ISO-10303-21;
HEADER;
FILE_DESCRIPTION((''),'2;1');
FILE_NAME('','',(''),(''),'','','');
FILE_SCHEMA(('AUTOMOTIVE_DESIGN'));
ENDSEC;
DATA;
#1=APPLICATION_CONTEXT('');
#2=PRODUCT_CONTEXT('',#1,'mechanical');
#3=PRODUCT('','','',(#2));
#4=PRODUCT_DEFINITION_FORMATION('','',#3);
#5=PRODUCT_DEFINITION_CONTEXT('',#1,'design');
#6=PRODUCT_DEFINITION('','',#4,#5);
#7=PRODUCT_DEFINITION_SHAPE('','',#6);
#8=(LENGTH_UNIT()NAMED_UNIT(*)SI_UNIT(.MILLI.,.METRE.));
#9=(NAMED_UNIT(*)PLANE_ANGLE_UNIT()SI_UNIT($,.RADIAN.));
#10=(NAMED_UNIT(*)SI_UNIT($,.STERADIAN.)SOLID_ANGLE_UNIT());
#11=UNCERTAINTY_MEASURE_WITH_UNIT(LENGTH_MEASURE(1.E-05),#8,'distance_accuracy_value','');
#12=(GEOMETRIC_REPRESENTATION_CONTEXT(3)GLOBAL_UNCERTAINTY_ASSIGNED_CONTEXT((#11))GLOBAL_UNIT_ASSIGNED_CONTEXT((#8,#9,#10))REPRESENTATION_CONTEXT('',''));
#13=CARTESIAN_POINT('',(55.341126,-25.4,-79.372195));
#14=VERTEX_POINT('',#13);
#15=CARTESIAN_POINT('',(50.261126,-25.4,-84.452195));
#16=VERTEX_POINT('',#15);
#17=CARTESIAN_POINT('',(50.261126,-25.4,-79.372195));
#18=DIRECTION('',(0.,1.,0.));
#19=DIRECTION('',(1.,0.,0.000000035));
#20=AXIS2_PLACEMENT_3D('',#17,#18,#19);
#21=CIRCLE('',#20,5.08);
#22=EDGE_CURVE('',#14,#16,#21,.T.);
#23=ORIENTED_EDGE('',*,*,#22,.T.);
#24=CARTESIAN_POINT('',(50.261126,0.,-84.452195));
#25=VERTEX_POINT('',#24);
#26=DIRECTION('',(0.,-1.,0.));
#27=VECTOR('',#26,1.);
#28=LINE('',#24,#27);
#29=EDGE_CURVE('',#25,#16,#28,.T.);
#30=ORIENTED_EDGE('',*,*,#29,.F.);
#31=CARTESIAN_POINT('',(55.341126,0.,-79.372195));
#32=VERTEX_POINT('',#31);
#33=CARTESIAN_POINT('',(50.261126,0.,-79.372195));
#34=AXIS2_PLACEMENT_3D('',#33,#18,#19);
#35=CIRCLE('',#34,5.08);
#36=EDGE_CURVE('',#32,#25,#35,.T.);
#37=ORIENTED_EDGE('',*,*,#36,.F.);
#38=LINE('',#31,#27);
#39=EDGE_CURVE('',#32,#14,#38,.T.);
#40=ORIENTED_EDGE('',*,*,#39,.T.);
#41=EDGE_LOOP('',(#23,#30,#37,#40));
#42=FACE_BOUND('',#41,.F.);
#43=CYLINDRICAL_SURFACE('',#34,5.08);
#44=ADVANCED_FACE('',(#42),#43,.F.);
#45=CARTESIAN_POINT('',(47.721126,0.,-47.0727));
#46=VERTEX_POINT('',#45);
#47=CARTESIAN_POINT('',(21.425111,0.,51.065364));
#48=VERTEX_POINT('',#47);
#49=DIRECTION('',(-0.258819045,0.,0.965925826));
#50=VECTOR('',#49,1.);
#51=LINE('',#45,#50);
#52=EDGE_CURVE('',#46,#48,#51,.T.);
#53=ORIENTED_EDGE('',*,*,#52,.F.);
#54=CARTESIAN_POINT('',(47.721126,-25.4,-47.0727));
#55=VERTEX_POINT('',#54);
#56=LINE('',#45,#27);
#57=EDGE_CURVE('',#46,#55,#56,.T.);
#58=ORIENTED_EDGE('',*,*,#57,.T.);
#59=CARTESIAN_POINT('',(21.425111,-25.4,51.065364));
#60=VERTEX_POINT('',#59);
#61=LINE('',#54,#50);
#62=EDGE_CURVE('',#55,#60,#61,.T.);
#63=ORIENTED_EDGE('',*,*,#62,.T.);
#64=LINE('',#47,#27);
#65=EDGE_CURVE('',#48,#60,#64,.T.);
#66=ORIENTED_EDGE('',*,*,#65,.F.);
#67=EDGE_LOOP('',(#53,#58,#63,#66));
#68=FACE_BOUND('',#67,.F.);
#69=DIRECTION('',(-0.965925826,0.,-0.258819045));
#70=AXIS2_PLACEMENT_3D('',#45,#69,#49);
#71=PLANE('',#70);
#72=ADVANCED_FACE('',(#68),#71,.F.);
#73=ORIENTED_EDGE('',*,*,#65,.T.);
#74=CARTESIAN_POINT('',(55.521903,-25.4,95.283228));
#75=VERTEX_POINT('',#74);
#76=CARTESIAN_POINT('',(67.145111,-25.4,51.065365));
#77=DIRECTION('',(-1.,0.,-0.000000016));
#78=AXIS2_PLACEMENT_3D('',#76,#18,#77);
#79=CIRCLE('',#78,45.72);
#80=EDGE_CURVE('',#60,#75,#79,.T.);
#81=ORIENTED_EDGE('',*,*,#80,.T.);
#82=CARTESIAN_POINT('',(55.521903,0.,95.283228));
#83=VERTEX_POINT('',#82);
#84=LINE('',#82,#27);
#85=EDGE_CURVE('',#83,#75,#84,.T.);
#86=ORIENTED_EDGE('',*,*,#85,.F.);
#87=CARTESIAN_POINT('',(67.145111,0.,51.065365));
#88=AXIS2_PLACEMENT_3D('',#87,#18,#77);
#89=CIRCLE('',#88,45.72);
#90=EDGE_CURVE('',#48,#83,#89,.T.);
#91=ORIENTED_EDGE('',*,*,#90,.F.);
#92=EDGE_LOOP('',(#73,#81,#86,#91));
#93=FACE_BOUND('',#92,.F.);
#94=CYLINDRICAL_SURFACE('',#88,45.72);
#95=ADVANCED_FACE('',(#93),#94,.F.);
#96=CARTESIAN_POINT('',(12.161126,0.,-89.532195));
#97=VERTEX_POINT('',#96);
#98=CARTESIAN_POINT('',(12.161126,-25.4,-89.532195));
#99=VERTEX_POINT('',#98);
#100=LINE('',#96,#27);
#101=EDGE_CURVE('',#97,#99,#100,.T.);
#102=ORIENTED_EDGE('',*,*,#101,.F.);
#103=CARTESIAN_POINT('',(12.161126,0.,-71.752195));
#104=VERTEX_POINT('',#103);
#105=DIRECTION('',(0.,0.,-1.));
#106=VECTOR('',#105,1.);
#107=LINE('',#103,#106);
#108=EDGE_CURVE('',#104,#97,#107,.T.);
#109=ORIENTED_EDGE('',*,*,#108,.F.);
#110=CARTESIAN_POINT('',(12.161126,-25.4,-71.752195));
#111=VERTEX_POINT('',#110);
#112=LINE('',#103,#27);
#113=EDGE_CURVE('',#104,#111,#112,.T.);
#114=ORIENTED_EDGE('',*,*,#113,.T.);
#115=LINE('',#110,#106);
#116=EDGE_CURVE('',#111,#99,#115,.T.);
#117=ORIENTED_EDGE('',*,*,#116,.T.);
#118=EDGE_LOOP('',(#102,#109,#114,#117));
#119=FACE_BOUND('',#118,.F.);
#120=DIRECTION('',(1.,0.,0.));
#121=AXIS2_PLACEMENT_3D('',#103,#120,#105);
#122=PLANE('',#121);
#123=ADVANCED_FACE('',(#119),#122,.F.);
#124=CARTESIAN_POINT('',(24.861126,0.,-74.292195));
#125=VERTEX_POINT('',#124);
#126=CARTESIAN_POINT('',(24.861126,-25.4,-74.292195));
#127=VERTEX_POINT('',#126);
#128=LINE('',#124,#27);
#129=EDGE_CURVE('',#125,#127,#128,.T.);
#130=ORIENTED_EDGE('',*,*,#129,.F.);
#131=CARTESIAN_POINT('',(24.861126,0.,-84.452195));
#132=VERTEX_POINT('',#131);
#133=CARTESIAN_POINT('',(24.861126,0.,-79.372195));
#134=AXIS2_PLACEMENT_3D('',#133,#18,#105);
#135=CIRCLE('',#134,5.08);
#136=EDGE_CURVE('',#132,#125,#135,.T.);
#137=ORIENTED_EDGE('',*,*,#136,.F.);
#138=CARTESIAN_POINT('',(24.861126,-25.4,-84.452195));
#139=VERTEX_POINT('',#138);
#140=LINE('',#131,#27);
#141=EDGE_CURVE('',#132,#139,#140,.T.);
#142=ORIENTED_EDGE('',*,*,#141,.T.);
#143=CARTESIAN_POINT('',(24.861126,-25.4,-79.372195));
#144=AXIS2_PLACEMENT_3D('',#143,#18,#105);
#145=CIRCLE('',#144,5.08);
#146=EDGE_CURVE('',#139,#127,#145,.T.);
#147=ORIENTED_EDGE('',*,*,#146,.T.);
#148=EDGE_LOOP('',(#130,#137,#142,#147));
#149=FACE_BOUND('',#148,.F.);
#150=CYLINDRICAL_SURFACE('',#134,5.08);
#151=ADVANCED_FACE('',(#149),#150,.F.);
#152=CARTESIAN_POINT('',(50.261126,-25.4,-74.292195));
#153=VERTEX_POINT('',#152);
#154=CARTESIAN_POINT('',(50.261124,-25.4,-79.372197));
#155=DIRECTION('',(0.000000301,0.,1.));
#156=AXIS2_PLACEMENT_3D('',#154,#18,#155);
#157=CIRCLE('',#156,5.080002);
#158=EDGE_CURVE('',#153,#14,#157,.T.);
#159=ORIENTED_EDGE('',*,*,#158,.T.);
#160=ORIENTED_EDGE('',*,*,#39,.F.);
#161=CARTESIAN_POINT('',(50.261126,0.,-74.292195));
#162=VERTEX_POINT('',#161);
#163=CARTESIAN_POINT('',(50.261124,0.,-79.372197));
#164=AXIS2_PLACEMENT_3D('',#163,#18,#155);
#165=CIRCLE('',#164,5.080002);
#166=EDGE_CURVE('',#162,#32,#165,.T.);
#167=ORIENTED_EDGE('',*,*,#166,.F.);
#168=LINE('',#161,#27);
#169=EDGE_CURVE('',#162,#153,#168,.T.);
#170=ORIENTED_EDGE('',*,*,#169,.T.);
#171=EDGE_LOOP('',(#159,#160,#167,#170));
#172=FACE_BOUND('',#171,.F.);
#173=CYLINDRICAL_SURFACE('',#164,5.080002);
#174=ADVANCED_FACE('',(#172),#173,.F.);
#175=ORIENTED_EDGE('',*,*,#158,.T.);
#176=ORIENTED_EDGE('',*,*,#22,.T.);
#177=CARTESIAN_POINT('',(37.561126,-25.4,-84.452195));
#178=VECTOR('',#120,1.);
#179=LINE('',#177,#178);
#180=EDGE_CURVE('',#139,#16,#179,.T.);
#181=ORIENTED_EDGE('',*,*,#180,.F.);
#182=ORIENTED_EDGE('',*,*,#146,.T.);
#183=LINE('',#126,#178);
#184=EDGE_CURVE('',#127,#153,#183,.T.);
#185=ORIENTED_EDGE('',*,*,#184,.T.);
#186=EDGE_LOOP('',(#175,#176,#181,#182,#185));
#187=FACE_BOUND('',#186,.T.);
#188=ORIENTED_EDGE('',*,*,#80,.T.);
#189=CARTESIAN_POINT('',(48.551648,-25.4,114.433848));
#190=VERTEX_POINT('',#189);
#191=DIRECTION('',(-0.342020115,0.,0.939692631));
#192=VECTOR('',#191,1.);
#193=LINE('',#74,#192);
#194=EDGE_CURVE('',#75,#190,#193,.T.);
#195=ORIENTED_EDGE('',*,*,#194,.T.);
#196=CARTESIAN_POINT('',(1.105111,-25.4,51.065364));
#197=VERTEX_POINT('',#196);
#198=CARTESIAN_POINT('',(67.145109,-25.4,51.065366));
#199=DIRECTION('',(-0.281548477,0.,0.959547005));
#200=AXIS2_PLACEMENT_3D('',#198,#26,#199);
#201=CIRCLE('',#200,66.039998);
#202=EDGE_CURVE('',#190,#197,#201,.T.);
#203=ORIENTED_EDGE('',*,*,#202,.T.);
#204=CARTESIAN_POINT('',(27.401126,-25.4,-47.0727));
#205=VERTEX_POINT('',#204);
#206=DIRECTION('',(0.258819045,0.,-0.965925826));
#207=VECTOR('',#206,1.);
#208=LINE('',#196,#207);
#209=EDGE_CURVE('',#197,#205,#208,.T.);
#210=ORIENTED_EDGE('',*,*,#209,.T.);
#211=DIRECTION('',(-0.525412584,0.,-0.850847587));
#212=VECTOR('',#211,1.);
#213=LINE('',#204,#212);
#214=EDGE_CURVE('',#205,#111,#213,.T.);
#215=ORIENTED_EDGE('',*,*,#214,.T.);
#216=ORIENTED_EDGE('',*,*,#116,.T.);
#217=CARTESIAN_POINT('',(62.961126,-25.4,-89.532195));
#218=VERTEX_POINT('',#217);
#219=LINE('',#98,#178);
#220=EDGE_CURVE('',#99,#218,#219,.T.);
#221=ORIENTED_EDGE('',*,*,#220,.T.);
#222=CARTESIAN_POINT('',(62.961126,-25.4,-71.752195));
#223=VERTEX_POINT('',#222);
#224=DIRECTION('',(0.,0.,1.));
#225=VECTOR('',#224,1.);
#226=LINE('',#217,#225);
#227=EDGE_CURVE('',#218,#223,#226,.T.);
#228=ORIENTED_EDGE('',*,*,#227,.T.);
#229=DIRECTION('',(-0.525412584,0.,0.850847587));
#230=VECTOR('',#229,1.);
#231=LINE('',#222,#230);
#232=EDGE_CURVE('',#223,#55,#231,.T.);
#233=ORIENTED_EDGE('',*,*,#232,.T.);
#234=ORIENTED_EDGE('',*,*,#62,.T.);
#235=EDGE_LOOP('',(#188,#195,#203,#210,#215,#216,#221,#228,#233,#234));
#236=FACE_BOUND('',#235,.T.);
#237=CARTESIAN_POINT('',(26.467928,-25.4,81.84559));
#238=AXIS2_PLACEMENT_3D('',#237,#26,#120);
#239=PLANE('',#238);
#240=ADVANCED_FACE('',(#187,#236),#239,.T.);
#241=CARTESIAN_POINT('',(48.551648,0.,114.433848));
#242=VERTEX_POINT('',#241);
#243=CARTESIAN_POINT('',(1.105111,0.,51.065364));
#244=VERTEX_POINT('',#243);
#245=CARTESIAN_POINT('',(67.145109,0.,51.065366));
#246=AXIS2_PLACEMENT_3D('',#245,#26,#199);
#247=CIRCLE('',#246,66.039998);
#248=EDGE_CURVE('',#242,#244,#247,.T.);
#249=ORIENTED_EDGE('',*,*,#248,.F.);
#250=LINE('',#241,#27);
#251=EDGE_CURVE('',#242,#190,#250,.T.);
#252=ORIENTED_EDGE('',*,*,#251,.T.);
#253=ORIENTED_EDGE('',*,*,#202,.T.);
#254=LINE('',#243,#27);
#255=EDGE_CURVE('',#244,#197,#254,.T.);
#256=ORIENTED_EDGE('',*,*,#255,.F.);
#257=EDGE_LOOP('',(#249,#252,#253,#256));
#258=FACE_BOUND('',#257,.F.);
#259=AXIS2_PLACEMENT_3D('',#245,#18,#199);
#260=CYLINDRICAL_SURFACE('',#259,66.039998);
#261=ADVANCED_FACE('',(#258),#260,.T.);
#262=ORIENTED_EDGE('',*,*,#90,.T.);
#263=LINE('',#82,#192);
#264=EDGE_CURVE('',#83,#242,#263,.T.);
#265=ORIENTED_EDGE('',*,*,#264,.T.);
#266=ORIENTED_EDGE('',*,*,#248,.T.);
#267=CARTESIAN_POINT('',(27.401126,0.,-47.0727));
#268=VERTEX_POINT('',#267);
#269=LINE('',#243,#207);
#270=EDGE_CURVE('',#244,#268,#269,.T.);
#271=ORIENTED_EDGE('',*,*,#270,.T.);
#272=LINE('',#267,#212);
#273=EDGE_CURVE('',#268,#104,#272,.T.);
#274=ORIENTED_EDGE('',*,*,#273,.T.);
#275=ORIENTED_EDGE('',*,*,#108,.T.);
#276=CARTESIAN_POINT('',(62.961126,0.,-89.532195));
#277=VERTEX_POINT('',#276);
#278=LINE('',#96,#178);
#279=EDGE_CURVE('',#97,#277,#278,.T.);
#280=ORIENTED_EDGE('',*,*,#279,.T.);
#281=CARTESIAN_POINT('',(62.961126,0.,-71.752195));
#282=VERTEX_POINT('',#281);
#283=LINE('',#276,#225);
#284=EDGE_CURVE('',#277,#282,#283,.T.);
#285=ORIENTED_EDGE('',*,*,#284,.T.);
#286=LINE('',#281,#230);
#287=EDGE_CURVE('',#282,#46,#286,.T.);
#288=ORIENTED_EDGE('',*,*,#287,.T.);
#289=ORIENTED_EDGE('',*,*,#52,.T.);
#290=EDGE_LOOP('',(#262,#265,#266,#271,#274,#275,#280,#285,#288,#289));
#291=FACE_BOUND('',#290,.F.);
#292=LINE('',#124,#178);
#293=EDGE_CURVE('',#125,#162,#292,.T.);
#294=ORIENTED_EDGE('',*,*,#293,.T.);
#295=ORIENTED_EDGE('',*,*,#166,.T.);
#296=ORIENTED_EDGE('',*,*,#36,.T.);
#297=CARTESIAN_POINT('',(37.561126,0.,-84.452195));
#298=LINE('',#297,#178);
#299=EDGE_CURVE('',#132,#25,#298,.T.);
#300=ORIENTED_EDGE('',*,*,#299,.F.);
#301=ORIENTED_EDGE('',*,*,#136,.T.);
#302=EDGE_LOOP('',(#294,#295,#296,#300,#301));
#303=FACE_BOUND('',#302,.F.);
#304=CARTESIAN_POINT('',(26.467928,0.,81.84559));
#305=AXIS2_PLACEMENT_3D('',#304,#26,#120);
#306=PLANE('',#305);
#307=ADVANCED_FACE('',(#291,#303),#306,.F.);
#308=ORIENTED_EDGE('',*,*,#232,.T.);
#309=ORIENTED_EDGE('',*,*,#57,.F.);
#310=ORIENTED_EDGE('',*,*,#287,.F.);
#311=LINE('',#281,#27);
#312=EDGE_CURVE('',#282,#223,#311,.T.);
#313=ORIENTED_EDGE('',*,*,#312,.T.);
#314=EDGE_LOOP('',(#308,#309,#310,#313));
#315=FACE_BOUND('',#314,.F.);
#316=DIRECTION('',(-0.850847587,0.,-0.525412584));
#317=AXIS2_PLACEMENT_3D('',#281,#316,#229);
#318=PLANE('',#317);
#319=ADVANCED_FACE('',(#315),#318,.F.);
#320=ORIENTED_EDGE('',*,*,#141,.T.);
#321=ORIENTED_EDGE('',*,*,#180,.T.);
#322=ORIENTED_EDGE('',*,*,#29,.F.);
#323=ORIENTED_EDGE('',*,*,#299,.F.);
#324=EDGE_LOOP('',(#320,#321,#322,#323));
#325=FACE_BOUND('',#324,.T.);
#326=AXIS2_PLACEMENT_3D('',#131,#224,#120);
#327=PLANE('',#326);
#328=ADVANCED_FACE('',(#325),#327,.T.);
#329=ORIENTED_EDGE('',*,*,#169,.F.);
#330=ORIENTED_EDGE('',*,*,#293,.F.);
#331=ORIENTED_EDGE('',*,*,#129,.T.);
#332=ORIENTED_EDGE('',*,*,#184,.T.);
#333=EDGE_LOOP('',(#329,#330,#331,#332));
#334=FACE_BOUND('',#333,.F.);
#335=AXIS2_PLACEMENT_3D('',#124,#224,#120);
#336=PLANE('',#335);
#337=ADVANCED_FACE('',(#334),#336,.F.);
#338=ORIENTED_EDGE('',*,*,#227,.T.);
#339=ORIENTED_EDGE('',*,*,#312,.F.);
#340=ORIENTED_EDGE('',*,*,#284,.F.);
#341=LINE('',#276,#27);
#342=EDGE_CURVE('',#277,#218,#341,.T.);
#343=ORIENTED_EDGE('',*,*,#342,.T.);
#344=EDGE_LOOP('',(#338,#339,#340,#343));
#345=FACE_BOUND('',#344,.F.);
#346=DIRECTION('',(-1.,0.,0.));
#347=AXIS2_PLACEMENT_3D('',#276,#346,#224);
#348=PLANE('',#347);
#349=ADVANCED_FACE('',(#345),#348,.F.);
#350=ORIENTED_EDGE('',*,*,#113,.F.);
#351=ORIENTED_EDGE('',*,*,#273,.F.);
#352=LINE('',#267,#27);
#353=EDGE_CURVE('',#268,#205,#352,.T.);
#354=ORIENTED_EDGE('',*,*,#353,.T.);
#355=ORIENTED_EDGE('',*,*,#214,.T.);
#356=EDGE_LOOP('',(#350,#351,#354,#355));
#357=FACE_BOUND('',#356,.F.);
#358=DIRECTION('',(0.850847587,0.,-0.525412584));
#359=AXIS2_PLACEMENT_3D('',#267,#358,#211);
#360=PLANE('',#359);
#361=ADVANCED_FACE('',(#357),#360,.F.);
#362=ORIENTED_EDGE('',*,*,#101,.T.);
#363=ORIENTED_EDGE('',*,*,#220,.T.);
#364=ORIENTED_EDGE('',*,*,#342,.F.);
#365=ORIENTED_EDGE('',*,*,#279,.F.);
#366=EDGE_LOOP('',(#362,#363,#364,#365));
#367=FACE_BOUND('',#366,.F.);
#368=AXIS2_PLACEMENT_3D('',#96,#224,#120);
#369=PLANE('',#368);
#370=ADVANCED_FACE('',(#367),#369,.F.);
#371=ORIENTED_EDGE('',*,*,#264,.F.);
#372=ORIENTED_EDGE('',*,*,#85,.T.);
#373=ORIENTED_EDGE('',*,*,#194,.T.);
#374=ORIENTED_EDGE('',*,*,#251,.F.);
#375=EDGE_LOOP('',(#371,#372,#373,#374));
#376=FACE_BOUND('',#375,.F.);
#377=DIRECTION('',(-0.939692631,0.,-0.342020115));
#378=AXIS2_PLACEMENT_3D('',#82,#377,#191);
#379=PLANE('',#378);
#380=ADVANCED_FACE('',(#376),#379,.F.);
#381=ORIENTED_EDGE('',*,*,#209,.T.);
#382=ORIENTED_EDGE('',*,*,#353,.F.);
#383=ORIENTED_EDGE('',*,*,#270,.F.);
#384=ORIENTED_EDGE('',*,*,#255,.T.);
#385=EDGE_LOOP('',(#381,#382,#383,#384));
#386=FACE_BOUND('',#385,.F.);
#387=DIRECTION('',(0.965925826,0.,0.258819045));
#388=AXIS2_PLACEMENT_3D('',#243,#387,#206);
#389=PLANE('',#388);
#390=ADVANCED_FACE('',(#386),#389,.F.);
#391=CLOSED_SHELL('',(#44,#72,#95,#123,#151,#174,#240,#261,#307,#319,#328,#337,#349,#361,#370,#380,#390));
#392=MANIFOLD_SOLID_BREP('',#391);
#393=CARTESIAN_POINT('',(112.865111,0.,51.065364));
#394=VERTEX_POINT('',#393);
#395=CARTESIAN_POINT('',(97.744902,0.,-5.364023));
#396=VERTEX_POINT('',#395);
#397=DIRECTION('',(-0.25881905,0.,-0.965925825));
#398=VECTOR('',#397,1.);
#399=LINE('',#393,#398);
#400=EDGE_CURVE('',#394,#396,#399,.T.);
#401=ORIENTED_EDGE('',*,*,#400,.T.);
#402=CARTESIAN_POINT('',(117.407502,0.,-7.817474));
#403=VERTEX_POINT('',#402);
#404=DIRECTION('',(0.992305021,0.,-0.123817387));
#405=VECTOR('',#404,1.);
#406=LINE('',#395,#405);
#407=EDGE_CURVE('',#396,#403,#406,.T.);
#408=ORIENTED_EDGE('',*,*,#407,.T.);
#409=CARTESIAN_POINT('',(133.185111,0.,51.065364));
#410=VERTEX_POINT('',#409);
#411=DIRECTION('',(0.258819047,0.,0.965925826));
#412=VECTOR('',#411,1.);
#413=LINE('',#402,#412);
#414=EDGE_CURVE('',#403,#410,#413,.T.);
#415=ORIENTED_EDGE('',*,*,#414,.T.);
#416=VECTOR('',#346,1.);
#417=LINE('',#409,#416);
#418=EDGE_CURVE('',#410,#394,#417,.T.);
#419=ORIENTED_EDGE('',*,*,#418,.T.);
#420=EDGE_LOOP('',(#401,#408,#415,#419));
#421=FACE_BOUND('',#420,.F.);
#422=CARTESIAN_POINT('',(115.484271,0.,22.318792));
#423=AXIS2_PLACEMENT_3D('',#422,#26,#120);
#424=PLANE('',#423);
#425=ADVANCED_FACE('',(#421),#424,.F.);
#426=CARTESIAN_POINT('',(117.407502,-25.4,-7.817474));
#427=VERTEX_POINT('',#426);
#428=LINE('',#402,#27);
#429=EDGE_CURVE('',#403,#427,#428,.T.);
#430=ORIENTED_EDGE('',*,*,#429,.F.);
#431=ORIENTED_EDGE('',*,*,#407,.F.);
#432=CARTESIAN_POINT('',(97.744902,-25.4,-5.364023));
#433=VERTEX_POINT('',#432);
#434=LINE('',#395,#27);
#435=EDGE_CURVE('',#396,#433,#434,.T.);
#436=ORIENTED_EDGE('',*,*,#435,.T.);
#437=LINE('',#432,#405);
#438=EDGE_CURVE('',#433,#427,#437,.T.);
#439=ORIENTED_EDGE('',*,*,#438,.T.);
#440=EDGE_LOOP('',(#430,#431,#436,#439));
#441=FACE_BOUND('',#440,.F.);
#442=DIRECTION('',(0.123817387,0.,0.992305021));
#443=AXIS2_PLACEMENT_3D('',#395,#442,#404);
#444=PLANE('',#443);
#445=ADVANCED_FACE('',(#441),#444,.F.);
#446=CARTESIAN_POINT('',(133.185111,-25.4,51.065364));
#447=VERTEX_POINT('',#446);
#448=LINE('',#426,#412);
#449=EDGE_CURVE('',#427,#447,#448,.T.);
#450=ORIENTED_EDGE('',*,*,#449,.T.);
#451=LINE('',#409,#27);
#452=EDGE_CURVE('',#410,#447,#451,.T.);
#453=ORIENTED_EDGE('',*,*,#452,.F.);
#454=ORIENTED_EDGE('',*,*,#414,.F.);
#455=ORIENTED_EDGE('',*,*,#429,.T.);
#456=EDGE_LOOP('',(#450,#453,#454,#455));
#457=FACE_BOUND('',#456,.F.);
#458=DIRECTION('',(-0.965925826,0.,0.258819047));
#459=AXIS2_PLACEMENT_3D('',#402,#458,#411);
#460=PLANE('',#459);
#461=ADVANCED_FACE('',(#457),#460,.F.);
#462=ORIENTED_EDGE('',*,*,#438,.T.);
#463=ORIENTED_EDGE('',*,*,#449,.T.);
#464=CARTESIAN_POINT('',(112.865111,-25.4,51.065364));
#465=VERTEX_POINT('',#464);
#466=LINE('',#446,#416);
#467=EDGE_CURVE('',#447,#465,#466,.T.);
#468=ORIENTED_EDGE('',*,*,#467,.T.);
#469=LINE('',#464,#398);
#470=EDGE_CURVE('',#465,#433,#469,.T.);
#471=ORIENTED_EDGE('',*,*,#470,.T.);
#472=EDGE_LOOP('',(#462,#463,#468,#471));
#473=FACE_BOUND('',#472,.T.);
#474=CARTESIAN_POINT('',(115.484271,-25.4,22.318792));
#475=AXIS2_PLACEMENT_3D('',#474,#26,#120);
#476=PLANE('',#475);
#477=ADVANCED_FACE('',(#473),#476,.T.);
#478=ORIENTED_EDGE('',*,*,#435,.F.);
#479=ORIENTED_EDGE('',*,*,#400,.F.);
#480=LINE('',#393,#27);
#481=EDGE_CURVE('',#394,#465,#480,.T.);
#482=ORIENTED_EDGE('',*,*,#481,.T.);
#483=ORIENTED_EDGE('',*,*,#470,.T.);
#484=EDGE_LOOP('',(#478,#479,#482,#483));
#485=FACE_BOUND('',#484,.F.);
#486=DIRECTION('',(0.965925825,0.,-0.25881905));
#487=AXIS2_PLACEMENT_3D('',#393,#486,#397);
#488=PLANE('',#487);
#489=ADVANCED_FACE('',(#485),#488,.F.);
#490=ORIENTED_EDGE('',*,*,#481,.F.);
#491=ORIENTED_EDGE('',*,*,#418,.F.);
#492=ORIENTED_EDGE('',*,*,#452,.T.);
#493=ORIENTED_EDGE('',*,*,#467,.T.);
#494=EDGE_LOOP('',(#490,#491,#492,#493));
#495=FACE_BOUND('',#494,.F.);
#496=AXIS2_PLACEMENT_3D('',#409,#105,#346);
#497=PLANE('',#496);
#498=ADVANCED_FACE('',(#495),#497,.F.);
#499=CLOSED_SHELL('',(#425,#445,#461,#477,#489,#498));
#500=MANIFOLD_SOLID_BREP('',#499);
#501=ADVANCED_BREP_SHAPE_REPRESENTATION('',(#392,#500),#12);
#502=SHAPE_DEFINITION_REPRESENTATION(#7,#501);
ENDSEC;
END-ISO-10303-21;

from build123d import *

# Parameters (mm, degrees)
F0_W     = 25.4
F0_H     = 5.08
F1_DEPTH = 25.4


with BuildPart() as f1:
    # F0 (on Front) → F1 (new body)
    with BuildSketch(Plane.XZ):
        with BuildLine():
            ThreePointArc((48.551648, 114.433848), (14.281163, 90.646732), (1.105111, 51.065364))
            Line((1.105111, 51.065364), (21.425111, 51.065364))
            ThreePointArc((21.425111, 51.065364), (30.939231, 78.984044), (55.521903, 95.283228))
            Line((55.521903, 95.283228), (48.551648, 114.433848))
        make_face()
        Polygon((133.185111, 51.065364), (112.865111, 51.065364), (97.744902, -5.364023), (117.407502, -7.817474), align=None)
        Polygon((1.105111, 51.065364), (27.401126, -47.0727), (47.721126, -47.0727), (21.425111, 51.065364), align=None)
        Polygon((47.721126, -47.0727), (27.401126, -47.0727), (12.161126, -71.752195), (24.861126, -71.752195), (34.013976, -71.752195), (50.261126, -71.752195), (54.333976, -71.752195), (62.961126, -71.752195), align=None)
        with BuildLine():
            Line((24.861126, -71.752195), (12.161126, -71.752195))
            Line((12.161126, -71.752195), (12.161126, -89.532195))
            Line((12.161126, -89.532195), (24.861126, -89.532195))
            Line((24.861126, -89.532195), (24.861126, -84.452195))
            ThreePointArc((24.861126, -84.452195), (19.781126, -79.372195), (24.861126, -74.292195))
            Line((24.861126, -74.292195), (24.861126, -71.752195))
        make_face()
        with Locations((37.561126, -86.992195)):
            Rectangle(F0_W, F0_H)
        with BuildLine():
            Line((62.961126, -89.532195), (62.961126, -71.752195))
            Line((62.961126, -71.752195), (54.333976, -71.752195))
            Line((54.333976, -71.752195), (50.261126, -71.752195))
            Line((50.261126, -71.752195), (50.261126, -74.292195))
            ThreePointArc((50.261126, -74.292195), (53.853228, -75.780093), (55.341126, -79.372195))
            ThreePointArc((55.341126, -79.372195), (53.853228, -82.964298), (50.261126, -84.452195))
            Line((50.261126, -84.452195), (50.261126, -89.532195))
            Line((50.261126, -89.532195), (62.961126, -89.532195))
        make_face()
        Polygon((34.013976, -71.752195), (24.861126, -71.752195), (24.861126, -74.292195), (50.261126, -74.292195), (50.261126, -71.752195), align=None)
    extrude(amount=F1_DEPTH)


solid = f1.part
